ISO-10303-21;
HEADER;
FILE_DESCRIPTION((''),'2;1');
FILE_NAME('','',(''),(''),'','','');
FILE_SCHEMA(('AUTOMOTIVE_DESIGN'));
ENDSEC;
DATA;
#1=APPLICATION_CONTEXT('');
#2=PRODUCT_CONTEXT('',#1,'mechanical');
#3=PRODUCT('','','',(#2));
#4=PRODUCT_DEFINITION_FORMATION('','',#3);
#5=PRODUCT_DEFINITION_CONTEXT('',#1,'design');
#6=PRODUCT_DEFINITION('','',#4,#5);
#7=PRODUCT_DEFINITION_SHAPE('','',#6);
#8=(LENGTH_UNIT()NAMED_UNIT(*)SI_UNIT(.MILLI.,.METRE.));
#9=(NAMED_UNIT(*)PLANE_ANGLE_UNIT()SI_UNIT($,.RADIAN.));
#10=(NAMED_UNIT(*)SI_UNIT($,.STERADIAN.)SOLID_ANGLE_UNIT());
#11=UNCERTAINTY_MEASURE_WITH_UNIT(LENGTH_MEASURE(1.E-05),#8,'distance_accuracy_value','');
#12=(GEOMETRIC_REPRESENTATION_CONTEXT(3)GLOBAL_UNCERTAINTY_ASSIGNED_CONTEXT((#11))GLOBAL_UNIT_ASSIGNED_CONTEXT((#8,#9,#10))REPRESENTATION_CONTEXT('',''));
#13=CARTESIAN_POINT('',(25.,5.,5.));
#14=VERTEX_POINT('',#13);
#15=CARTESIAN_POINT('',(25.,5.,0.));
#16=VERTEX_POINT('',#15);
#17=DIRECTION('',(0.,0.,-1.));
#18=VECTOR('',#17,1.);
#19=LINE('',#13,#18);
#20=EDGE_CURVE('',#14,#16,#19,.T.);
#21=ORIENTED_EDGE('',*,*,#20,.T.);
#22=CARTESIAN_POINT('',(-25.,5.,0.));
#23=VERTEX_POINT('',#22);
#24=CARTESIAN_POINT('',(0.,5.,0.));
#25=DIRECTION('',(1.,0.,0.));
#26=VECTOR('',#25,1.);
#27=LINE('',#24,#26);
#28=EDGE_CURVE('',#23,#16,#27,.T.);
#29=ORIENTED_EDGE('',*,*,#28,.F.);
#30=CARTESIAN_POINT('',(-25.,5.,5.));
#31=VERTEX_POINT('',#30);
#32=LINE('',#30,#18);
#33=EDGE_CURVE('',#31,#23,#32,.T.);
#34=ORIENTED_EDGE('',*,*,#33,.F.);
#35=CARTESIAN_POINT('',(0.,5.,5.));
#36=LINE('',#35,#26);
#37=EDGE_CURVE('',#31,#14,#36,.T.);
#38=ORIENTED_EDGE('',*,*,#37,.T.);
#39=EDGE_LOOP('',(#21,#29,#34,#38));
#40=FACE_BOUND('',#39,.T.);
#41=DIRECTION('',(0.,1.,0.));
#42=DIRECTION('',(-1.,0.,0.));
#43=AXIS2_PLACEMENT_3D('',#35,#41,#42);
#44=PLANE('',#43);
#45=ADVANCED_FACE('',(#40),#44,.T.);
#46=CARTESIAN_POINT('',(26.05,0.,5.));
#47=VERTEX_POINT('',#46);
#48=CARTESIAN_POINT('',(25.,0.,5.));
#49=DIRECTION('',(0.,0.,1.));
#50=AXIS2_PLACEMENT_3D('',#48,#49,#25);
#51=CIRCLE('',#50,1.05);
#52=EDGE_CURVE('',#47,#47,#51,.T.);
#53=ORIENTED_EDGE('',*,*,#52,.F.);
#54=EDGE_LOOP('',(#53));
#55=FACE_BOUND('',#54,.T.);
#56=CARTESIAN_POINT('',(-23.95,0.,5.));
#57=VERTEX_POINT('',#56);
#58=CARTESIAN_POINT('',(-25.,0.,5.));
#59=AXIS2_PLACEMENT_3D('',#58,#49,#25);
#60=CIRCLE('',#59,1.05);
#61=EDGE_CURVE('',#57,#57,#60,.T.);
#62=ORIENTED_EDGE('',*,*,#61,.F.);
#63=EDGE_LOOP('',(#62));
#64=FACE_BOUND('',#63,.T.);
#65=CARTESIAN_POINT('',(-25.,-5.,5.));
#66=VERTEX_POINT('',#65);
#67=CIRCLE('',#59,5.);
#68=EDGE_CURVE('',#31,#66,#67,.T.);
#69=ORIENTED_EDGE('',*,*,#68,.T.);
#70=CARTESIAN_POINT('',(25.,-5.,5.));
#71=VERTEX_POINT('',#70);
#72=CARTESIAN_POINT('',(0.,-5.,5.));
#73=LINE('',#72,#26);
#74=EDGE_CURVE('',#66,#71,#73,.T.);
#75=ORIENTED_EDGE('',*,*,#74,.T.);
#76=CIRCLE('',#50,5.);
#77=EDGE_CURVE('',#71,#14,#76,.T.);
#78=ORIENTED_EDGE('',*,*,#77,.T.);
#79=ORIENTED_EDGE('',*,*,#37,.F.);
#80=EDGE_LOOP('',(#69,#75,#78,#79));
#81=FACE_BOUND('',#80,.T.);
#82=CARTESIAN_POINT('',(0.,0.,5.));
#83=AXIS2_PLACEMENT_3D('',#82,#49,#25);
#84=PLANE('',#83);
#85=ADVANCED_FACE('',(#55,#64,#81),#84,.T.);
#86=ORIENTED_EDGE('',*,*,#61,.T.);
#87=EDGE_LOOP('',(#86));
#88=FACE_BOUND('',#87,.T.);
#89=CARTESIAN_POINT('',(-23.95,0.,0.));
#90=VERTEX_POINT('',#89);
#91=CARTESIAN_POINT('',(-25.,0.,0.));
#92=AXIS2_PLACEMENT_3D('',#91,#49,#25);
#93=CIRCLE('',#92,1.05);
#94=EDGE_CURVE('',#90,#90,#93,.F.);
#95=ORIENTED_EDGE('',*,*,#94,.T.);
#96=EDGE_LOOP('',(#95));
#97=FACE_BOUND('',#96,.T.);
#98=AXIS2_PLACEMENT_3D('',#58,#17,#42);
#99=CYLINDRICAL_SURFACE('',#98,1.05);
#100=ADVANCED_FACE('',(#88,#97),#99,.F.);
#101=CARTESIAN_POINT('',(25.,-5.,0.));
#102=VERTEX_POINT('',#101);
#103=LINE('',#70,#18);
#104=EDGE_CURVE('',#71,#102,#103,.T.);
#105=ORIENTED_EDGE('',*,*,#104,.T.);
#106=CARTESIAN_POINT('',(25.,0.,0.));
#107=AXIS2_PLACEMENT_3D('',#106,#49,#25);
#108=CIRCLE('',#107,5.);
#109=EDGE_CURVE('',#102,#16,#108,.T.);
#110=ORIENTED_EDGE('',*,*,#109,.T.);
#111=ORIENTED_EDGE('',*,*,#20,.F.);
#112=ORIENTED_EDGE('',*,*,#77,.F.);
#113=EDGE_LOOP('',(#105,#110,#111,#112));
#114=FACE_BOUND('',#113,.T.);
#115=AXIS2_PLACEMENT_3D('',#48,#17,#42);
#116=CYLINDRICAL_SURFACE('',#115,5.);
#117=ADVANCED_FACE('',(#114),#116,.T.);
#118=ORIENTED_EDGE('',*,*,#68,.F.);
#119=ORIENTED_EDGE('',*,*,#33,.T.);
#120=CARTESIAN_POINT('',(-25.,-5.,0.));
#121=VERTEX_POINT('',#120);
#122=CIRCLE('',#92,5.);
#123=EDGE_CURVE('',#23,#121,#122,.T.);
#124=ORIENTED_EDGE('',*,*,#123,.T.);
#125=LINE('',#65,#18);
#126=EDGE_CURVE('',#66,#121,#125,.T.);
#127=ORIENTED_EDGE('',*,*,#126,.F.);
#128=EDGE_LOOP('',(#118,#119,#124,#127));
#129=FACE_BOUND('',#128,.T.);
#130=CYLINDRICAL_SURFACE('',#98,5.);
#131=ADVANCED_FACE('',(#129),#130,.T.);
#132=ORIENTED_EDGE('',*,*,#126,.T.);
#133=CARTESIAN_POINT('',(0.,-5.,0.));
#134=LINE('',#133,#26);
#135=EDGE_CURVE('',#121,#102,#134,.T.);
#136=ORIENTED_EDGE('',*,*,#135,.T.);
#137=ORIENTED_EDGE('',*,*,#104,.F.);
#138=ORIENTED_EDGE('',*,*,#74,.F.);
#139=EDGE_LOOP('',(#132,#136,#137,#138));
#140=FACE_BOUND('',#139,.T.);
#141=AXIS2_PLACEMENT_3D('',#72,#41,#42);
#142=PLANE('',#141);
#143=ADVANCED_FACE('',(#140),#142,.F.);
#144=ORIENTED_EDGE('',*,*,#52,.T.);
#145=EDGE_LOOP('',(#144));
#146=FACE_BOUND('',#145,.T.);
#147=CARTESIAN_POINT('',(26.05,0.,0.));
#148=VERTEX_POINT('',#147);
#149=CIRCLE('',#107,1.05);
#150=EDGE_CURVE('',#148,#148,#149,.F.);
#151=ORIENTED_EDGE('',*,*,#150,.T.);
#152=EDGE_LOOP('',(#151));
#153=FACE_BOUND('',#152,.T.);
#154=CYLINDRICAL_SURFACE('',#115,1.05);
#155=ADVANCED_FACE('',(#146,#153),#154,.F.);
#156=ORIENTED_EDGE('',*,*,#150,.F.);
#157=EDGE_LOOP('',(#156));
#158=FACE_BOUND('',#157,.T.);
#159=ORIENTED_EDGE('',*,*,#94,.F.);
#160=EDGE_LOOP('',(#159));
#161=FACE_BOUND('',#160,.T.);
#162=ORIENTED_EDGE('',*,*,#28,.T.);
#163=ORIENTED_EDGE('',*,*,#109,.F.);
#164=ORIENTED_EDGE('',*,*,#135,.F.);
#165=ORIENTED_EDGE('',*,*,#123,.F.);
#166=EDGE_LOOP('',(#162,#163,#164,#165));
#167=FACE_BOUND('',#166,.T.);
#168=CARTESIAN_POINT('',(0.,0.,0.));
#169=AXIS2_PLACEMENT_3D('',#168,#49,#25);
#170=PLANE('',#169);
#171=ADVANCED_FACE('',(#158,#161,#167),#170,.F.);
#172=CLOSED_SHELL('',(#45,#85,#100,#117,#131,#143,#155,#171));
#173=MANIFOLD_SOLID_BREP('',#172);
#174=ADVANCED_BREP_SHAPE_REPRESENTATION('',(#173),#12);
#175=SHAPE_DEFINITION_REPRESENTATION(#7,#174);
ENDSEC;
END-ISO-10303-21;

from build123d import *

# Parameters (mm, degrees)
EXTRUDE_1_DEPTH          = 5
CUT_EXTRUDE_3_DEPTH      = 31.822070015
CUT_EXTRUDE_3_DEPTH_BACK = 31.822070015
SKETCH_5_R               = 1.05


with BuildPart() as part:
    # ｽｹｯﾁ1 → ﾎﾞｽ - 押し出し1 (new body)
    with BuildSketch(Plane.XY):
        with BuildLine():
            ThreePointArc((-25, 5), (-30, 0), (-25, -5))
            Line((-25, -5), (-25, 5))
        make_face()
        with BuildLine():
            Line((-25, 5), (-25, -5))
            ThreePointArc((-25, -5), (-21.464466094, -3.535533906), (-20, 0))
            ThreePointArc((-20, 0), (-21.464466094, 3.535533906), (-25, 5))
        make_face()
        with BuildLine():
            ThreePointArc((-20, 0), (-21.464466094, -3.535533906), (-25, -5))
            Line((-25, -5), (25, -5))
            ThreePointArc((25, -5), (20, 0), (25, 5))
            Line((25, 5), (-25, 5))
            ThreePointArc((-25, 5), (-21.464466094, 3.535533906), (-20, 0))
        make_face()
        with BuildLine():
            ThreePointArc((25, 5), (20, 0), (25, -5))
            Line((25, -5), (25, 5))
        make_face()
        with BuildLine():
            Line((25, 5), (25, -5))
            ThreePointArc((25, -5), (28.535533906, -3.535533906), (30, 0))
            ThreePointArc((30, 0), (28.535533906, 3.535533906), (25, 5))
        make_face()
    extrude(amount=EXTRUDE_1_DEPTH)

    # ｽｹｯﾁ5 → ｶｯﾄ - 押し出し3 (cut, two sides: drawn at the far end of the back side and taken through both)
    with BuildSketch(Plane.XY.offset(-CUT_EXTRUDE_3_DEPTH_BACK)):
        with Locations((25, 0)):
            Circle(SKETCH_5_R)
        with Locations((-25, 0)):
            Circle(SKETCH_5_R)
    extrude(amount=CUT_EXTRUDE_3_DEPTH + CUT_EXTRUDE_3_DEPTH_BACK, mode=Mode.SUBTRACT)


solid = part.part
